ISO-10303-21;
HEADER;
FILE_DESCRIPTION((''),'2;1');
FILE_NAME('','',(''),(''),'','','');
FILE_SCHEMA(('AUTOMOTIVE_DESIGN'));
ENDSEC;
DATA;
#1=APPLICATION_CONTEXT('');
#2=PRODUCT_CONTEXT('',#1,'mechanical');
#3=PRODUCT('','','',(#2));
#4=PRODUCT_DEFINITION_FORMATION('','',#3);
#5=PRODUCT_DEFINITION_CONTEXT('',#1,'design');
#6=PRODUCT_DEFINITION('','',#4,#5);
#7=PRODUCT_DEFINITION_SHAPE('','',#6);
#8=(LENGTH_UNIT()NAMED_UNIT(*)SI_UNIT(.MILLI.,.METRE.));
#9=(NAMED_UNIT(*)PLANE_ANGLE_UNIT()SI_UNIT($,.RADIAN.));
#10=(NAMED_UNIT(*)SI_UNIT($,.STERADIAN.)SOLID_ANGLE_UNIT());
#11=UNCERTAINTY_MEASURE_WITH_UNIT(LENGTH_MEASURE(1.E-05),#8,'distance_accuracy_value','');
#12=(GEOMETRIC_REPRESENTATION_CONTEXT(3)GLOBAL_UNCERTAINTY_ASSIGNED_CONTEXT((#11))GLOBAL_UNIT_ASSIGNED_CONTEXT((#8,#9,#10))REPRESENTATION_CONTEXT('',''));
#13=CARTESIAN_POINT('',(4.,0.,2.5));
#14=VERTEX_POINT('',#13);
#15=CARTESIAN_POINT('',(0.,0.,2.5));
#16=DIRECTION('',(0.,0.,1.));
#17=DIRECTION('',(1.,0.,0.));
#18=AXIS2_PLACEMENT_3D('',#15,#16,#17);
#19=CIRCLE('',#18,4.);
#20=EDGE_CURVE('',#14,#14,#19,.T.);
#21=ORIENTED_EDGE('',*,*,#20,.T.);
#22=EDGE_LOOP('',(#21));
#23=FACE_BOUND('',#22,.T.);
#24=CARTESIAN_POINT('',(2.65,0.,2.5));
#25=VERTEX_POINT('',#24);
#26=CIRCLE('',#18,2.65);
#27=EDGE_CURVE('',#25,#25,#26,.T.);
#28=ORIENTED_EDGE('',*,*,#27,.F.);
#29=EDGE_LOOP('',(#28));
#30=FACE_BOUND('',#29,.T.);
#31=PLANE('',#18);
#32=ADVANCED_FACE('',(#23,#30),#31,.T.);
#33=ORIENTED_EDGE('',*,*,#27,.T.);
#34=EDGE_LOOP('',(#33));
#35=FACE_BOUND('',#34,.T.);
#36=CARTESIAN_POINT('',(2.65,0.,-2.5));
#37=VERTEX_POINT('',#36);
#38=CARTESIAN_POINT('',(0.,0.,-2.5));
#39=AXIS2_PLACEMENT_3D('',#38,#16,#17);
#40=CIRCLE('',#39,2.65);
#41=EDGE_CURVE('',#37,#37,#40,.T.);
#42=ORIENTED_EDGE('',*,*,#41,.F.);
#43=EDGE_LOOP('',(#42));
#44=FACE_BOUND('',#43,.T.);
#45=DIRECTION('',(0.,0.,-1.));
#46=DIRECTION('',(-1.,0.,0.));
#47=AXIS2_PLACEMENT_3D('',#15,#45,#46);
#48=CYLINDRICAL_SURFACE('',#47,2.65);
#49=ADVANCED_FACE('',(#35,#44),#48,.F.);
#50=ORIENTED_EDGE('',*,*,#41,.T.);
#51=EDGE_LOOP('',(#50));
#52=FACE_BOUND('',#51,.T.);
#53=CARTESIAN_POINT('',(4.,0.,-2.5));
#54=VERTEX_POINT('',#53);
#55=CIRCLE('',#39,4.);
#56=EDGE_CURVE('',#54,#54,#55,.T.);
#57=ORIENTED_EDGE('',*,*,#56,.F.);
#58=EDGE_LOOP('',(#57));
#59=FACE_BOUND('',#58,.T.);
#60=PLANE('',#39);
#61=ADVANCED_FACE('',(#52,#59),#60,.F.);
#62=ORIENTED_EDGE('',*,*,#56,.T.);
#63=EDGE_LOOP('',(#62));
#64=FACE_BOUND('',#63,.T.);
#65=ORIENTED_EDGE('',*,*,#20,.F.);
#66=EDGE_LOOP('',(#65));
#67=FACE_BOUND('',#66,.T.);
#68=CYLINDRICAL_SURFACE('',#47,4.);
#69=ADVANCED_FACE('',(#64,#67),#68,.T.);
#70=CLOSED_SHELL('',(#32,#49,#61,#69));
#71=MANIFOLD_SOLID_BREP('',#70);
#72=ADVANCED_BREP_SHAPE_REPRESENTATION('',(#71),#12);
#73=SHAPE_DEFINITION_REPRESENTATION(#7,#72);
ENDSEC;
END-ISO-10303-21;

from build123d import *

# Parameters (mm, degrees)
SKETCH1_R           = 4
SKETCH1_R_2         = 2.65
EXTRUDE1_DEPTH      = 2.5
EXTRUDE1_DEPTH_BACK = 2.5


with BuildPart() as part:
    # Sketch1 → Extrude1 (new body, two sides)
    with BuildSketch(Plane.XY) as extrude1_sk:
        Circle(SKETCH1_R)
        Circle(SKETCH1_R_2, mode=Mode.SUBTRACT)
    extrude(amount=EXTRUDE1_DEPTH)
    extrude(extrude1_sk.sketch, amount=-EXTRUDE1_DEPTH_BACK)


solid = part.part
